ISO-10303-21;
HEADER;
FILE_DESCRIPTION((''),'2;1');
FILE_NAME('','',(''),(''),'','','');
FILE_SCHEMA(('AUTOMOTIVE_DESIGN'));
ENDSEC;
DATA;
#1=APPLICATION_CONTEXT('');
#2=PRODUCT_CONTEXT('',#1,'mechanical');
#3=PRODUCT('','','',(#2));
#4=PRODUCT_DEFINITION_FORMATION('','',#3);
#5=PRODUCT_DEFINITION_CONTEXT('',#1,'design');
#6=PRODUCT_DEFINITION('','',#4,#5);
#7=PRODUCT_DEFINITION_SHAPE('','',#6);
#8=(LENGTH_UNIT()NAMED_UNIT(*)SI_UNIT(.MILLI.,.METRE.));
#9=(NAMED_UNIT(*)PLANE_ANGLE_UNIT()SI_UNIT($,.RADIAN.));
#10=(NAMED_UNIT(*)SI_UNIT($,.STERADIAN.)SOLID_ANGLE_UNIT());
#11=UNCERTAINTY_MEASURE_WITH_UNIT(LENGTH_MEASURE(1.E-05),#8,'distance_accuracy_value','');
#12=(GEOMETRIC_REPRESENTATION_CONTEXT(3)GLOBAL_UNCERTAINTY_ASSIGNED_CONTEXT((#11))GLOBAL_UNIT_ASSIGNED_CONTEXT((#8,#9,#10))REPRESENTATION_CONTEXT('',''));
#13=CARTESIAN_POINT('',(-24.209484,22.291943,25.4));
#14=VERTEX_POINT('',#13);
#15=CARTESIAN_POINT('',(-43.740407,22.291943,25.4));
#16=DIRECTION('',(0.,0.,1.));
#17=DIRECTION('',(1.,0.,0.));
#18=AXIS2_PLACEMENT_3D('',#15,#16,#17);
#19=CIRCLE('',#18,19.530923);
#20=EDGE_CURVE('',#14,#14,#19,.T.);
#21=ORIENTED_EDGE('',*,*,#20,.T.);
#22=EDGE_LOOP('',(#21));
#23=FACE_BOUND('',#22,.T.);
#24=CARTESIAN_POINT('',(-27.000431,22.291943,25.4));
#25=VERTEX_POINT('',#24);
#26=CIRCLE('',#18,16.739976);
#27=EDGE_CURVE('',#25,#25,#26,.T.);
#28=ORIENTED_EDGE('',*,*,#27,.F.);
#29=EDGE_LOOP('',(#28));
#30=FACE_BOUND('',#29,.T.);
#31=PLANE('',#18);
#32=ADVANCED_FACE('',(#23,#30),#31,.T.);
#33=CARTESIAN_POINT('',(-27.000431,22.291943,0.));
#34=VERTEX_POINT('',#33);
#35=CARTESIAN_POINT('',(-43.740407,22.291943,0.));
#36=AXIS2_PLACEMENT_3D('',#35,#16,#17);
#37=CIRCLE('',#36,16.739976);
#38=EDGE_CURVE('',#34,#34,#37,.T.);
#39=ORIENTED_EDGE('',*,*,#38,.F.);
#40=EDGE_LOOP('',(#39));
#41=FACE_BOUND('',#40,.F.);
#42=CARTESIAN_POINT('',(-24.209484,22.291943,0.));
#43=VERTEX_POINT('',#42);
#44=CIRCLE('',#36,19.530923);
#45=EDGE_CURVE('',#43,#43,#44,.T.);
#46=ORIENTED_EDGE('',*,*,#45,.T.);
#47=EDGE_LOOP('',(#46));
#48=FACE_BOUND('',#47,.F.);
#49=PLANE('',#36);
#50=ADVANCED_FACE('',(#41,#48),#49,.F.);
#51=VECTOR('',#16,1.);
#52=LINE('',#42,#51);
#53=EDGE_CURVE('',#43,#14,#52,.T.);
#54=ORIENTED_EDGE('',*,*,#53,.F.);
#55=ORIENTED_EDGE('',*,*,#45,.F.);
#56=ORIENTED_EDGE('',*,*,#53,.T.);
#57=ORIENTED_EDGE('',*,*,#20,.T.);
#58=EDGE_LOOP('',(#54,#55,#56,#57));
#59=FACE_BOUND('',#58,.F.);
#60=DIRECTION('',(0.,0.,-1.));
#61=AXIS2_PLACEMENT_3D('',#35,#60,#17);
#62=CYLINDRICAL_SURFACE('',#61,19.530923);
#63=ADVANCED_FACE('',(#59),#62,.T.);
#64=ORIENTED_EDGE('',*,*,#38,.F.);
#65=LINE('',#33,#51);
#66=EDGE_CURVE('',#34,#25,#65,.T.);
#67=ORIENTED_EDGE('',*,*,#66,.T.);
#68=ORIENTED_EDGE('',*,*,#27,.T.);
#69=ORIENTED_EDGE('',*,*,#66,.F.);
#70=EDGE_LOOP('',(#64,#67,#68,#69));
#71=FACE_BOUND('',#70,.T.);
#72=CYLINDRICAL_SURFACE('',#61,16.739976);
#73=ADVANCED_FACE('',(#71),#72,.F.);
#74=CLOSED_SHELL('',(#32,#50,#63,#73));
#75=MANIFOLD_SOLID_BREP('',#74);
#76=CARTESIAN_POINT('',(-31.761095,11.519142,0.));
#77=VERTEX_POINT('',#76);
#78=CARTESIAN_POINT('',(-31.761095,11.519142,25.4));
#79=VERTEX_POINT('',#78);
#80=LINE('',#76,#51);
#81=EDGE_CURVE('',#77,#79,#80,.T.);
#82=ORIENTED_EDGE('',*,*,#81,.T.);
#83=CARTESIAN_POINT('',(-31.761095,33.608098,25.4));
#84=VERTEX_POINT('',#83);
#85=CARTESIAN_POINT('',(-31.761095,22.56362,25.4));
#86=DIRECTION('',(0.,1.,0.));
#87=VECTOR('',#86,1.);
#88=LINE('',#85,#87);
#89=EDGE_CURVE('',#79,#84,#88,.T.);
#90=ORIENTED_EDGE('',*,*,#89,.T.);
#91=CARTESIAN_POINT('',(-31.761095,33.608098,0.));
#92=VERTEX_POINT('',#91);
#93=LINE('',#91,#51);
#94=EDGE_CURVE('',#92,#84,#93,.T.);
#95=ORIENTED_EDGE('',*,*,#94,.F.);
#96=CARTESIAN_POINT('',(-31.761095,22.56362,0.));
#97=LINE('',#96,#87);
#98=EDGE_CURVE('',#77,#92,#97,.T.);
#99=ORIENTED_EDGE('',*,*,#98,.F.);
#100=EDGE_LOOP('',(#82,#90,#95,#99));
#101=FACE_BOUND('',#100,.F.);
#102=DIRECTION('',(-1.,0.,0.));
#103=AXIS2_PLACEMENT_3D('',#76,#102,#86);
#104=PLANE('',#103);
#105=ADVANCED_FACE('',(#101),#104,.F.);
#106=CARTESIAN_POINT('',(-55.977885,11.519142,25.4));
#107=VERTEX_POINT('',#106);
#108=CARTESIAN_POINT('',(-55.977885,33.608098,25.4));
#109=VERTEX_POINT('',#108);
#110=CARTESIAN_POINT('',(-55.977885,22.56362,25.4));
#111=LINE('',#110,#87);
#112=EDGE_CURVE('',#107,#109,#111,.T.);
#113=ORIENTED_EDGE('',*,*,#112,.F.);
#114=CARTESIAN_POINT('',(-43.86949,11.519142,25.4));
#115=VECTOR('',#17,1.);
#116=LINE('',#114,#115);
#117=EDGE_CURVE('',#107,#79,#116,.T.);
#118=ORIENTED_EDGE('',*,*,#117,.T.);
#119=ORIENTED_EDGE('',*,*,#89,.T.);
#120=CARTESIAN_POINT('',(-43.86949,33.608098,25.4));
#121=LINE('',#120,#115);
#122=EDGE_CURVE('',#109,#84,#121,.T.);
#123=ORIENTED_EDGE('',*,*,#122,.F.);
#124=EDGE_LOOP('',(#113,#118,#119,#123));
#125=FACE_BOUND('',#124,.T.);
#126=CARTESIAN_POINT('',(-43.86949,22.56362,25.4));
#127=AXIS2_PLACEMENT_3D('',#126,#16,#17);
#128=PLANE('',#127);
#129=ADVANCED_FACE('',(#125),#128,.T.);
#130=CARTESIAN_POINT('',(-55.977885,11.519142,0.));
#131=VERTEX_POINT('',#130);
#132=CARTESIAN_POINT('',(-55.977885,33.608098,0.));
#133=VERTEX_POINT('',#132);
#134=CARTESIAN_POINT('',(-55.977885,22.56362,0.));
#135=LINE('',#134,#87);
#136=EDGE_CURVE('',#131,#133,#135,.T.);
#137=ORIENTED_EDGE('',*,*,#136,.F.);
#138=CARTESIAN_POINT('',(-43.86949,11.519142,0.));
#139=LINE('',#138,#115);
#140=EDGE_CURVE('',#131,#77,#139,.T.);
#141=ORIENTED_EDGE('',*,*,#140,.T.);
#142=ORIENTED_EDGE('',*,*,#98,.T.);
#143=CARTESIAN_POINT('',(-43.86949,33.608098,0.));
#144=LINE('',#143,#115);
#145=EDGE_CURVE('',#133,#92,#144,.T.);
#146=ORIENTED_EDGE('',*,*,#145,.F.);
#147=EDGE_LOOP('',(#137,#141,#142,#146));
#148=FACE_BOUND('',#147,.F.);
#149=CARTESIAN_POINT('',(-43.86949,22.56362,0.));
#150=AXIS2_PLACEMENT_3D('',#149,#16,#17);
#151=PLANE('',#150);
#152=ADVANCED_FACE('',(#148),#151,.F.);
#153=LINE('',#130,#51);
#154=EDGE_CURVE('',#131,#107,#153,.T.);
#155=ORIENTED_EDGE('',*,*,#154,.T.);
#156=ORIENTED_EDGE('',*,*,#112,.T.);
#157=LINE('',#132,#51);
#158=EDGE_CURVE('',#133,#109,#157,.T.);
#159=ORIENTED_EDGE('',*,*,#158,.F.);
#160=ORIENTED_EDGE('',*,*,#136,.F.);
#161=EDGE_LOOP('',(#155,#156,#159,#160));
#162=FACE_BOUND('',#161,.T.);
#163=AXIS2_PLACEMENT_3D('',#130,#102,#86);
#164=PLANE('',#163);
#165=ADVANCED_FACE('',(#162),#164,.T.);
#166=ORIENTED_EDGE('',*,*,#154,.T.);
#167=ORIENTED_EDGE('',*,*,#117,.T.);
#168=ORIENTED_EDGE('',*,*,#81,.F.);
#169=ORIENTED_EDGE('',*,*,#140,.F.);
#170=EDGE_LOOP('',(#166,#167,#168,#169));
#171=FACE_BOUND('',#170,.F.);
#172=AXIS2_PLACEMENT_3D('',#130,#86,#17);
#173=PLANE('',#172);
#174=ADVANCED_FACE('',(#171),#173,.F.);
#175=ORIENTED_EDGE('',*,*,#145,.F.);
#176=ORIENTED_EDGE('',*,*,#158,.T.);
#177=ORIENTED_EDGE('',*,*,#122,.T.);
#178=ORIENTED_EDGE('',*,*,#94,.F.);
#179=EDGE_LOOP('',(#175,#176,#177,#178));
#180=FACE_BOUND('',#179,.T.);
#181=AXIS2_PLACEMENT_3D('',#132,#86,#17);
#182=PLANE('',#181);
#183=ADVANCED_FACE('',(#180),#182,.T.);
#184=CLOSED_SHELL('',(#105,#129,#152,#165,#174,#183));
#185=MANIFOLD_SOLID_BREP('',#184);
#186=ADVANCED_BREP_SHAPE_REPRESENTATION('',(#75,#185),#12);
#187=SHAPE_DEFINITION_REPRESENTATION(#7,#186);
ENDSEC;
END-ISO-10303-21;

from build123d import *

# Parameters (mm, degrees)
F0_R     = 19.530923
F0_R_2   = 16.739976
F1_DEPTH = 25.4
F2_W     = 24.21679
F2_H     = 22.088956
F3_DEPTH = 25.4


with BuildPart() as f1:
    # F0 (on Top) → F1 (new body)
    with BuildSketch(Plane.XY):
        with Locations((-43.740407, 22.291943)):
            Circle(F0_R)
        with Locations((-43.740407, 22.291943)):
            Circle(F0_R_2, mode=Mode.SUBTRACT)
    extrude(amount=F1_DEPTH)


with BuildPart() as f3:
    # F2 (on Top) → F3 (new body)
    with BuildSketch(Plane.XY):
        with Locations((-43.86949, 22.56362)):
            Rectangle(F2_W, F2_H)
    extrude(amount=F3_DEPTH)


solid = Compound([f1.part, f3.part])
